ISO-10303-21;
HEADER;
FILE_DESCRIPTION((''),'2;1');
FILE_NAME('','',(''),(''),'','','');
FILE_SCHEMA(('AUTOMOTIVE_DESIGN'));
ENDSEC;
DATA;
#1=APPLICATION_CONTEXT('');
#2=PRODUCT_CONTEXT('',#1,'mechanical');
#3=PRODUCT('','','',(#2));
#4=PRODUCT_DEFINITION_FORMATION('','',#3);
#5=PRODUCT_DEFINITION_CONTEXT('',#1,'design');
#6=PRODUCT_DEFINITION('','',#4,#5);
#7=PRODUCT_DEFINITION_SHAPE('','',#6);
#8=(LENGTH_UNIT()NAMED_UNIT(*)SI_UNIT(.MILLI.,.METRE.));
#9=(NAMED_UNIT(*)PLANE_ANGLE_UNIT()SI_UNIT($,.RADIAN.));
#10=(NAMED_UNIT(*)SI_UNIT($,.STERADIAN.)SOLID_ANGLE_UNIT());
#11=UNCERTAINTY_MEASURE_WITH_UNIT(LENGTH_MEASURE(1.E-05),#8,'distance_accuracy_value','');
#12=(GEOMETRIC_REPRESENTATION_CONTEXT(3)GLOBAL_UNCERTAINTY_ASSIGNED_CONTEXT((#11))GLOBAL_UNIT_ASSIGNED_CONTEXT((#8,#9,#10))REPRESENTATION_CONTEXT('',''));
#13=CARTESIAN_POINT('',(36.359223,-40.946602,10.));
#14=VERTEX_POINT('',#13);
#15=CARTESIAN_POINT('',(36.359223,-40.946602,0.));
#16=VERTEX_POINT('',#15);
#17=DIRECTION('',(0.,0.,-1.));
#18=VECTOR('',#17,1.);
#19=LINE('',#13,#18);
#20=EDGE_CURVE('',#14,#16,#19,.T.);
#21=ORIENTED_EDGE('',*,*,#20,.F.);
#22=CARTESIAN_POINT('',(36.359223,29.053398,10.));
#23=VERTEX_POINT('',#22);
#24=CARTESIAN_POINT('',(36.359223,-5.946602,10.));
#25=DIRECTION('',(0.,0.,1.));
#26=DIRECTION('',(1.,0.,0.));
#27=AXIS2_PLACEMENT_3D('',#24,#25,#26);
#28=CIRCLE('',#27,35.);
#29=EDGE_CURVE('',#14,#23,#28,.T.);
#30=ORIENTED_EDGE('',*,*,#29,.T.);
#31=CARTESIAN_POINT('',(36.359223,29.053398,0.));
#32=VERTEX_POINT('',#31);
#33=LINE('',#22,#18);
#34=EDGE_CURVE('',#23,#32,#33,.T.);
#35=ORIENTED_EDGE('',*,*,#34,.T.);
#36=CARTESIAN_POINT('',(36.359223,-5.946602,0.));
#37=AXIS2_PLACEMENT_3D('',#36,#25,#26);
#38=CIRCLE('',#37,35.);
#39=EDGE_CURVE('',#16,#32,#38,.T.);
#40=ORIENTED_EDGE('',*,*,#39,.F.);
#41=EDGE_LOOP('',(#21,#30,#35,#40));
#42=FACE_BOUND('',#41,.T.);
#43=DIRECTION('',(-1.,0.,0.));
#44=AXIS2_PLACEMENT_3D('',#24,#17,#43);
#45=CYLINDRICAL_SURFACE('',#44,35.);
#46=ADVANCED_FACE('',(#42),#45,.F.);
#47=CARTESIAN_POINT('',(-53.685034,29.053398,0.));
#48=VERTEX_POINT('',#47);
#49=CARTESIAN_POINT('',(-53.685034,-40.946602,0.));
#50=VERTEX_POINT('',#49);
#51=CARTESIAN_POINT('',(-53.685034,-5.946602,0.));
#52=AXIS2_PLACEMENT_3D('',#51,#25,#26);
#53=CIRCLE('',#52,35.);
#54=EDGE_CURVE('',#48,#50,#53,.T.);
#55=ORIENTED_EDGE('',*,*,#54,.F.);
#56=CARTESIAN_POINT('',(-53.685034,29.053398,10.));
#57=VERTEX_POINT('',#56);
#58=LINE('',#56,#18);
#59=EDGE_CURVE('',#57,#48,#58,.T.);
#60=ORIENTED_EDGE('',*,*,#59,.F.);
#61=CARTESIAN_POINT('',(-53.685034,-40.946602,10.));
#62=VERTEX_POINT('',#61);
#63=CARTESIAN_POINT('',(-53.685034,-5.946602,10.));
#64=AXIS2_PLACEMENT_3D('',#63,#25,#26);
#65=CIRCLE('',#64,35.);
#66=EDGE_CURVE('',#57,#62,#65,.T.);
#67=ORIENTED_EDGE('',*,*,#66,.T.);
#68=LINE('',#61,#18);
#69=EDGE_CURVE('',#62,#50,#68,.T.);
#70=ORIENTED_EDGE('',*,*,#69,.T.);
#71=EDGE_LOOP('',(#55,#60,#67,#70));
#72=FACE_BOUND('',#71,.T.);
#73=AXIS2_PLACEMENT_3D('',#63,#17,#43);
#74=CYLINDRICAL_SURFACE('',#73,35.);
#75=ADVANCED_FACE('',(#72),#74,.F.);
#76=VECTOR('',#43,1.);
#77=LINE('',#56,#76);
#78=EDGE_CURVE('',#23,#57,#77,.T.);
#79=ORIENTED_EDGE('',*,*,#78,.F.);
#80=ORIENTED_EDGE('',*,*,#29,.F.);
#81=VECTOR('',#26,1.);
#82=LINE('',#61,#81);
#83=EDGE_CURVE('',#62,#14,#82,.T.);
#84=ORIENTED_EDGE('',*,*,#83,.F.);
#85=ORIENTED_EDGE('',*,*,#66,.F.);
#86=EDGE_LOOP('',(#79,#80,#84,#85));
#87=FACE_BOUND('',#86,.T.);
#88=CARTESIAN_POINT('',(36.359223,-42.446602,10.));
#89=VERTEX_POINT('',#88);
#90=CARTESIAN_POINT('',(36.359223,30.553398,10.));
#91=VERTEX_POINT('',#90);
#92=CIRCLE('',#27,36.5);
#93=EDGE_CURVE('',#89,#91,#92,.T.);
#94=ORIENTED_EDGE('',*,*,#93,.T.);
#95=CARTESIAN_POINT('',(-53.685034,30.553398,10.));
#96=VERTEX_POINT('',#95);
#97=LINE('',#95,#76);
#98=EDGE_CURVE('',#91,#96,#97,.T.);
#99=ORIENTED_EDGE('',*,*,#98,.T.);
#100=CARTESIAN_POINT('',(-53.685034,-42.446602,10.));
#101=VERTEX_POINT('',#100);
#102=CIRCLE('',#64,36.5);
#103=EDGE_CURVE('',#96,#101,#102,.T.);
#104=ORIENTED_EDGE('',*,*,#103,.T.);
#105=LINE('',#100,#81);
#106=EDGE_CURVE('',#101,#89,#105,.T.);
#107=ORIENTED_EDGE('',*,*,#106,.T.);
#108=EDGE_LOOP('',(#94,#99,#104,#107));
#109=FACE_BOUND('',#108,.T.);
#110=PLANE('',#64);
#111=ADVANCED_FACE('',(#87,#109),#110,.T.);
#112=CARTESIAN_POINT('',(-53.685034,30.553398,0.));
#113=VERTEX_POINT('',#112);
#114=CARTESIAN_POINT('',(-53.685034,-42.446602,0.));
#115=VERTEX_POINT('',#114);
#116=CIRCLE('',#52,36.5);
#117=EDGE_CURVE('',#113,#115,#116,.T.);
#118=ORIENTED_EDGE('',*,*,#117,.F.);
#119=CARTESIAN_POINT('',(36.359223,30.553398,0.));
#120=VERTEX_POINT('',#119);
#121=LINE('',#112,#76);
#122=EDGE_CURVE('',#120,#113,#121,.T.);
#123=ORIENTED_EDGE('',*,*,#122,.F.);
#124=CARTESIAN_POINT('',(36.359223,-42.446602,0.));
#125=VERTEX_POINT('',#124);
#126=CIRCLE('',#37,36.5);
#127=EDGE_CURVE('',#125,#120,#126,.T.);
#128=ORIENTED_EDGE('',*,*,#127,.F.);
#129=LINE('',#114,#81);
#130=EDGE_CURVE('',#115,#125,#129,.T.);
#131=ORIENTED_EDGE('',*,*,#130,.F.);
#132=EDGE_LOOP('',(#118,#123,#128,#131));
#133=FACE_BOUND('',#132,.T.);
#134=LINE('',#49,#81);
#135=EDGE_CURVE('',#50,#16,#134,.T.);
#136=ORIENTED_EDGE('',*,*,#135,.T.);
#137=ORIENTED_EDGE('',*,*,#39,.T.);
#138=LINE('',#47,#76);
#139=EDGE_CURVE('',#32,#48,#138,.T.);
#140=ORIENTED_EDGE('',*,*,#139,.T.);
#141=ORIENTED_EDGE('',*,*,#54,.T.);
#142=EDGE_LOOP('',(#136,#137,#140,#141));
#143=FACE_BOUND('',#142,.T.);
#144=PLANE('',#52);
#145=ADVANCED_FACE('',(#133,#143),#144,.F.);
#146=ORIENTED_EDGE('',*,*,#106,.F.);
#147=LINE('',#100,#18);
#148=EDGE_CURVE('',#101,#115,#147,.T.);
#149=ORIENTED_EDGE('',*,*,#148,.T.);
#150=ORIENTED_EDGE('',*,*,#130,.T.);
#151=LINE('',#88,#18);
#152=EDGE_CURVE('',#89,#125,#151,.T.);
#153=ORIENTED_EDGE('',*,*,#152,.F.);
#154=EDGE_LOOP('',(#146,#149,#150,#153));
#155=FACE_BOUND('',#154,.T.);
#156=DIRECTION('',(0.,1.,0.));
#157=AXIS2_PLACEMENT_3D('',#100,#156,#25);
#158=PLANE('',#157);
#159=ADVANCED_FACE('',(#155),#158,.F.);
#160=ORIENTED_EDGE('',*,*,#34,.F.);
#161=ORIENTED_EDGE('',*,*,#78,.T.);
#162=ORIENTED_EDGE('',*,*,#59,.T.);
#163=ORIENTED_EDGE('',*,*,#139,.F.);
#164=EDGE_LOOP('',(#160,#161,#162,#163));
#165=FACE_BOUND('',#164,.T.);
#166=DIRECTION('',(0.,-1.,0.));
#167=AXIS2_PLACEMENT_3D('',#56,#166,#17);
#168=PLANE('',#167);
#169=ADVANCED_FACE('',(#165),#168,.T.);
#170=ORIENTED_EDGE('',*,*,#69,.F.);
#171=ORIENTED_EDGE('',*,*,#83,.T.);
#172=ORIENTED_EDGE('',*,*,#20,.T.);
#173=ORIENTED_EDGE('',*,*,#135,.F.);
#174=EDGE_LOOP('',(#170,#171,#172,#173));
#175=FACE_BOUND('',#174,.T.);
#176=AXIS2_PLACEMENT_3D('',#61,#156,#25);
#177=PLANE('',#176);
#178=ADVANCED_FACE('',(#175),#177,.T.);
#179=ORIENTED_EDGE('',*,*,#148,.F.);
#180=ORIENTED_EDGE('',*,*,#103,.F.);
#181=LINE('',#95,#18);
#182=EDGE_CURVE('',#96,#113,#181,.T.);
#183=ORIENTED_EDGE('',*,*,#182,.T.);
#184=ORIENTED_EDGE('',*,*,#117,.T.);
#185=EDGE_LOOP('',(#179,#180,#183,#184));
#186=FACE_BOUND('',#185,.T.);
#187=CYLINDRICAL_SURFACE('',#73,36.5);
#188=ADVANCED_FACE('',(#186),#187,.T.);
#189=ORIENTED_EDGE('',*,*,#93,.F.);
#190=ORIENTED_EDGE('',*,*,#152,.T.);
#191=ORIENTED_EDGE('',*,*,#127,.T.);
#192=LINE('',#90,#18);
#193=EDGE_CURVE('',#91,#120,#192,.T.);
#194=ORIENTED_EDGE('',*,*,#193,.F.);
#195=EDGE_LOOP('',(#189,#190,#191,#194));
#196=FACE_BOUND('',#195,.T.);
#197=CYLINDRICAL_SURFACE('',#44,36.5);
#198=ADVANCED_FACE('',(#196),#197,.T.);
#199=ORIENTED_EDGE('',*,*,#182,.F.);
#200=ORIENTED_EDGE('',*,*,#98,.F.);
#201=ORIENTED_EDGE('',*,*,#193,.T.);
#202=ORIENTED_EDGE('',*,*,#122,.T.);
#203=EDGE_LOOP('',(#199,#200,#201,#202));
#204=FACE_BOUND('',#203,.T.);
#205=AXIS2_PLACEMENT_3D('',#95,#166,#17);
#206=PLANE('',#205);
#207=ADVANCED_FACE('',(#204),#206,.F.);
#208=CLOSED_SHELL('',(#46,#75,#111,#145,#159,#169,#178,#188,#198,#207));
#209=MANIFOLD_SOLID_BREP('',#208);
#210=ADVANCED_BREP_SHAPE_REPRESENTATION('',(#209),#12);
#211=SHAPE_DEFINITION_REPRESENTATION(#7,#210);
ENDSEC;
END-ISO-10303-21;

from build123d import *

# Parameters (mm, degrees)
BOSS_EXTRUDE1_DEPTH = 10


with BuildPart() as part:
    # Sketch1 → Boss-Extrude1 (new body)
    with BuildSketch(Plane.XY):
        with BuildLine():
            Line((-53.685033823, 30.553398058), (36.359223301, 30.553398058))
            ThreePointArc((36.359223301, 30.553398058), (72.859223301, -5.946601942), (36.359223301, -42.446601942))
            Line((36.359223301, -42.446601942), (-53.685033823, -42.446601942))
            ThreePointArc((-53.685033823, -42.446601942), (-90.185033823, -5.946601942), (-53.685033823, 30.553398058))
        make_face()
        with BuildLine():
            Line((-53.685033823, 29.053398058), (36.359223301, 29.053398058))
            ThreePointArc((36.359223301, 29.053398058), (71.359223301, -5.946601942), (36.359223301, -40.946601942))
            Line((36.359223301, -40.946601942), (-53.685033823, -40.946601942))
            ThreePointArc((-53.685033823, -40.946601942), (-88.685033823, -5.946601942), (-53.685033823, 29.053398058))
        make_face(mode=Mode.SUBTRACT)
    extrude(amount=BOSS_EXTRUDE1_DEPTH)


solid = part.part
